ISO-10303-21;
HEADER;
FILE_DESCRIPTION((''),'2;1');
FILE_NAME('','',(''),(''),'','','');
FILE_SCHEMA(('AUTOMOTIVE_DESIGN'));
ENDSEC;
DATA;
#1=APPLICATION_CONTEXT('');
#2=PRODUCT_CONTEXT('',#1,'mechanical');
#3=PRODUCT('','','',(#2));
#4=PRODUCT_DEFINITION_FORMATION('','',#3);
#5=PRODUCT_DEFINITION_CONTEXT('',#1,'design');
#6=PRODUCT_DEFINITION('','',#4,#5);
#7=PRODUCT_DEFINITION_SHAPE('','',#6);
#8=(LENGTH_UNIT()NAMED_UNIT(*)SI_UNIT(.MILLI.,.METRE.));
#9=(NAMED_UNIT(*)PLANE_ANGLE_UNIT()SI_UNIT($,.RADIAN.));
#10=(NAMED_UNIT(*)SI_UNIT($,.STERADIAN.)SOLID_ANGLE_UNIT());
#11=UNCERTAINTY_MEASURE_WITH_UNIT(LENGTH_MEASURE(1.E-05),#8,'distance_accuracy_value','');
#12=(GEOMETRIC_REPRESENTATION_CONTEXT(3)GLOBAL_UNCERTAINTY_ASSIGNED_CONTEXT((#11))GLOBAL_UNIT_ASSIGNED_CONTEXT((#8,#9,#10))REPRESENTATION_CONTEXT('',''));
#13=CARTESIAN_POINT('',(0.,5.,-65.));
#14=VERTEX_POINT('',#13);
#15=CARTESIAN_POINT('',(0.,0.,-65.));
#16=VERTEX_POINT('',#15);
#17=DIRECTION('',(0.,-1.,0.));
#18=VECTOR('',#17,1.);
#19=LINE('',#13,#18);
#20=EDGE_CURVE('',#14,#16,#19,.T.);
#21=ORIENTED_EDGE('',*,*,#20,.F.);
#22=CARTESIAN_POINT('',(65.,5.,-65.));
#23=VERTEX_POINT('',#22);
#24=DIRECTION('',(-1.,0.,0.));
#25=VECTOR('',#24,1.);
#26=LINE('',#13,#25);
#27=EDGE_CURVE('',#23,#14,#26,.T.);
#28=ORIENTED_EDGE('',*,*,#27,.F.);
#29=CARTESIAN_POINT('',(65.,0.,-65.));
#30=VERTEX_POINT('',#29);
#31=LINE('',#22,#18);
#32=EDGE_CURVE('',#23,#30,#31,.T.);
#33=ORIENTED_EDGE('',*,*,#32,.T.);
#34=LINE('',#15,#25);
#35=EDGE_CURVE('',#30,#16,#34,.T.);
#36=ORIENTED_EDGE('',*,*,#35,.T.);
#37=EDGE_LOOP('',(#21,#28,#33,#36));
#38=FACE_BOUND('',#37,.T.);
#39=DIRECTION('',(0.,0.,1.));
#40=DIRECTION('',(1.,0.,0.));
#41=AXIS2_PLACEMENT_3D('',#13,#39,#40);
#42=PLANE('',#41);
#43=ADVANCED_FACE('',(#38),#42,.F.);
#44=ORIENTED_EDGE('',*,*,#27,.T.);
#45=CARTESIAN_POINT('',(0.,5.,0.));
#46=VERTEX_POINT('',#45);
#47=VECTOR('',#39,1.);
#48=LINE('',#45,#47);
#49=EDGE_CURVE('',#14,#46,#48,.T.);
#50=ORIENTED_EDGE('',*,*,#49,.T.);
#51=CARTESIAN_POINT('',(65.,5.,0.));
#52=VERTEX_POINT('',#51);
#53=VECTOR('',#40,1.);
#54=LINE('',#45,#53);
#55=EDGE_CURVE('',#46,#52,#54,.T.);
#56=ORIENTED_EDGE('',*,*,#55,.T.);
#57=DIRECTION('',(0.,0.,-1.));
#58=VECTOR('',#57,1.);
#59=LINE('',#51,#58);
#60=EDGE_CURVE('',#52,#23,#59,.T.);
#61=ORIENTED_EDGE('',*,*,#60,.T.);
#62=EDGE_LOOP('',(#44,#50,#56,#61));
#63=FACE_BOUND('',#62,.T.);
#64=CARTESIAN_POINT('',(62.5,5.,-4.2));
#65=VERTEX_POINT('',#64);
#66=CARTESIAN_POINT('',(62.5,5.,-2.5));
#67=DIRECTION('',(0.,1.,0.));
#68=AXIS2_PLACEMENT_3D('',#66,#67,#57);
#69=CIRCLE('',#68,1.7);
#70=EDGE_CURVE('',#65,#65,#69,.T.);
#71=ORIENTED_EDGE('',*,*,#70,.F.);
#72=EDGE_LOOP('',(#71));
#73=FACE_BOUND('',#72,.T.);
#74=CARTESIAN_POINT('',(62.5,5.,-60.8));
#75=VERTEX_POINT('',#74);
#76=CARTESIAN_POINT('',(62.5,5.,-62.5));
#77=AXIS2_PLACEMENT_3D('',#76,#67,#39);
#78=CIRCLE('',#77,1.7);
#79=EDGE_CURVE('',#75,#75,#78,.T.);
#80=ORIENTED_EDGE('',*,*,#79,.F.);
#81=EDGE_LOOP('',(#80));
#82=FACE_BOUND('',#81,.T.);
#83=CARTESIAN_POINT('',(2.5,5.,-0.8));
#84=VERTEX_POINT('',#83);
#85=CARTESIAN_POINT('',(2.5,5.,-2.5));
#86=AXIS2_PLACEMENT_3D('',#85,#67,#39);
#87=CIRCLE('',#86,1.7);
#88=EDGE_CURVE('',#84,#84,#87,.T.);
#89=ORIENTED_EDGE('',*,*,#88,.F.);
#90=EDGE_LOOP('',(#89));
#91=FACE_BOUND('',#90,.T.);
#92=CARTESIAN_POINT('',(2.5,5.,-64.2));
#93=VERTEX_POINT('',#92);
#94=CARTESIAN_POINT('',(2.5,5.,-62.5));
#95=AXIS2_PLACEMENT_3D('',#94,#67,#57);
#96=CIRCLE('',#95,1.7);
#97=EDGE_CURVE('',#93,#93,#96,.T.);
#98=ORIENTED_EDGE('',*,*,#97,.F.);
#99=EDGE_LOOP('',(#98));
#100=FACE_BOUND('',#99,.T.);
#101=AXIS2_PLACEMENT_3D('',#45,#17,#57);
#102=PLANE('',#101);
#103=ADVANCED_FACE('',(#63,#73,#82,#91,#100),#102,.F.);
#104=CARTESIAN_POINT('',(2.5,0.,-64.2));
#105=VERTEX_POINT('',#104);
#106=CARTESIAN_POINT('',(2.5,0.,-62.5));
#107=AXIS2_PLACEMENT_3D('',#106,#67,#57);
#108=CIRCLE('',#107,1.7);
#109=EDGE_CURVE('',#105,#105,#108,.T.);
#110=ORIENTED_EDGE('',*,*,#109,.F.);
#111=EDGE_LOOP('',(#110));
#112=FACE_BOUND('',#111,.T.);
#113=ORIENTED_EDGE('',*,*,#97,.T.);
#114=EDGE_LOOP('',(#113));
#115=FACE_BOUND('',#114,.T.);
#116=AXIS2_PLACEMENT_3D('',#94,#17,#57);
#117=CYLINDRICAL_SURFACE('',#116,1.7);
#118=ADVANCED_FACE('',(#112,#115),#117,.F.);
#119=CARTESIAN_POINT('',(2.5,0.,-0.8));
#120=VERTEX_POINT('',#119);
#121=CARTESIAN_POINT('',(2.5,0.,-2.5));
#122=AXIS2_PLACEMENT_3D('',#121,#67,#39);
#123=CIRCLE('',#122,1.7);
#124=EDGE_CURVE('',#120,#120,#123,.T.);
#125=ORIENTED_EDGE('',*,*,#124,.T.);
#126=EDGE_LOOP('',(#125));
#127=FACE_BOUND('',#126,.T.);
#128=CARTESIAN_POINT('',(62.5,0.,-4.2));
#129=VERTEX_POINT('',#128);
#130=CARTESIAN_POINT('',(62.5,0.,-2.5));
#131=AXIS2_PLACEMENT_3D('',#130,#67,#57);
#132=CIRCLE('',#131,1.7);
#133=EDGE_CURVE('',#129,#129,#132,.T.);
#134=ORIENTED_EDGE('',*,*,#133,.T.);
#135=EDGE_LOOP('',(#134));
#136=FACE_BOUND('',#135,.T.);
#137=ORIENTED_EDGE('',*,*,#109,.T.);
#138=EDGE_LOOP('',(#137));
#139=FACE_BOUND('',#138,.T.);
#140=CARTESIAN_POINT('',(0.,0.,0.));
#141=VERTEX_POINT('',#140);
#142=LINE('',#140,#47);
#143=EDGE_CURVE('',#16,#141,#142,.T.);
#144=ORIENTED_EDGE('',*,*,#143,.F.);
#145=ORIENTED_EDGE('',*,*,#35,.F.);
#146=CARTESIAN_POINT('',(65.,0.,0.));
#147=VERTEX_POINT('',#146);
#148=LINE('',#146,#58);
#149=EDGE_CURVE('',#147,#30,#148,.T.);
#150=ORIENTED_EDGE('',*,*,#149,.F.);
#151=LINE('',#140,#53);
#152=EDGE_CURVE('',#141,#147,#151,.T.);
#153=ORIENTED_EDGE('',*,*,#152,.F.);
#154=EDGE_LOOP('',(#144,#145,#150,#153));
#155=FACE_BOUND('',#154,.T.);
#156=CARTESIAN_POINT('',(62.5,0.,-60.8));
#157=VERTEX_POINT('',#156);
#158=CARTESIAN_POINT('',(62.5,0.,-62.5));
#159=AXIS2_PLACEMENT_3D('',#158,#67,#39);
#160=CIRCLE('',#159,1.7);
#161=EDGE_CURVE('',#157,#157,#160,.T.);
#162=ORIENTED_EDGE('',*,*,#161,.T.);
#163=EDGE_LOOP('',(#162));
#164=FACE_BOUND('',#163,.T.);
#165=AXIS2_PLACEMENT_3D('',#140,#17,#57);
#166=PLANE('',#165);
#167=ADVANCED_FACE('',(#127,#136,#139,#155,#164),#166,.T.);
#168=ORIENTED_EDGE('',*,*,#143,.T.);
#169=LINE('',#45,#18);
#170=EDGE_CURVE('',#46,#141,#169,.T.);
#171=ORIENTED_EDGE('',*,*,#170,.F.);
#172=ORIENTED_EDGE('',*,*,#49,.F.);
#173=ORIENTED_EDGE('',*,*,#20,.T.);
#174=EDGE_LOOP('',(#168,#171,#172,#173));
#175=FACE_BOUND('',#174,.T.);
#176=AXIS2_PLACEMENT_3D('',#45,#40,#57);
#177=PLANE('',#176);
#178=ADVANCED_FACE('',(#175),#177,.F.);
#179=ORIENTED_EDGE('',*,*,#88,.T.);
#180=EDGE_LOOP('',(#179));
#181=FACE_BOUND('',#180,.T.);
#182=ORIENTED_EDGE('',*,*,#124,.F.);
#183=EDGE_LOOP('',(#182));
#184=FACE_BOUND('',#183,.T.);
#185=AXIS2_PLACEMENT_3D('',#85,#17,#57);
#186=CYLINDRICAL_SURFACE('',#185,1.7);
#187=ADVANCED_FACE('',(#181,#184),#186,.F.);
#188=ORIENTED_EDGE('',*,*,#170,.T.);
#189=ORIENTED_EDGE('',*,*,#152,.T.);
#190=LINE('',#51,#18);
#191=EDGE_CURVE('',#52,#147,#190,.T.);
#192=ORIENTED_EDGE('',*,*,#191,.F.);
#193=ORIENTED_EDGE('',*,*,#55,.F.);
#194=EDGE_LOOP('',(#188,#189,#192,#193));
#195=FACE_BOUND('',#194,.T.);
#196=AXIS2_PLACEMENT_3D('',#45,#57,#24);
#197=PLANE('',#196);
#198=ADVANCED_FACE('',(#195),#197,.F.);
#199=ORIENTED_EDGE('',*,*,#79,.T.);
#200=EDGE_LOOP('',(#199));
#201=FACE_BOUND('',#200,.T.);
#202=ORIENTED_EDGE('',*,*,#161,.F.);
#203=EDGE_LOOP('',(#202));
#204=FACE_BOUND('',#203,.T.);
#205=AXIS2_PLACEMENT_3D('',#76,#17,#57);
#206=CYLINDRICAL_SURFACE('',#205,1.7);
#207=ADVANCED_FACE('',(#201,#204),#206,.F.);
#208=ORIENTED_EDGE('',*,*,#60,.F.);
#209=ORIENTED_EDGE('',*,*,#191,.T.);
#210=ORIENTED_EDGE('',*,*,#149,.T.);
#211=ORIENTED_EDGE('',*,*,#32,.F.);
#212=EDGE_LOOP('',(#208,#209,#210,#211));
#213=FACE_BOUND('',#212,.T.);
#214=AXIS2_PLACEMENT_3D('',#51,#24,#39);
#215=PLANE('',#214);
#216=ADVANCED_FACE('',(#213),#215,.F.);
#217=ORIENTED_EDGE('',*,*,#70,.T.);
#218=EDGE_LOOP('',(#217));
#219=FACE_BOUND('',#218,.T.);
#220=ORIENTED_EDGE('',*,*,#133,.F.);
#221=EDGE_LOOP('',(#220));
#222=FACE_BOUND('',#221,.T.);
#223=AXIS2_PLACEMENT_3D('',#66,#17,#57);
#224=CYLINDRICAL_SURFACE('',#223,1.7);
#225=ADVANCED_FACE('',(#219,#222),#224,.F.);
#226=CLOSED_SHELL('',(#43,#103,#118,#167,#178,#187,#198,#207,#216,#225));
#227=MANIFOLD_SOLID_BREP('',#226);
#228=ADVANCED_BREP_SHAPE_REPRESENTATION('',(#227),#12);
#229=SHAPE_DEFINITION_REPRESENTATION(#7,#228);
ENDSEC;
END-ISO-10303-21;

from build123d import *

# Parameters (mm, degrees)
SKETCH1_W   = 65
SKETCH1_H   = 65
SKETCH1_R   = 1.7
PLATE_DEPTH = 5


with BuildPart() as part:
    # Sketch1 → Plate (new body)
    with BuildSketch(Plane(origin=(0, 0, 0), x_dir=(1, 0, 0), z_dir=(0, 1, 0))):
        with Locations((32.5, 32.5)):
            Rectangle(SKETCH1_W, SKETCH1_H)
        with Locations(Location((62.5, 62.5, 0), (0, 0, 270))):
            Circle(SKETCH1_R, mode=Mode.SUBTRACT)
        with Locations(Location((2.5, 62.5, 0), (0, 0, 90))):
            Circle(SKETCH1_R, mode=Mode.SUBTRACT)
        with Locations(Location((62.5, 2.5, 0), (0, 0, 90))):
            Circle(SKETCH1_R, mode=Mode.SUBTRACT)
        with Locations(Location((2.5, 2.5, 0), (0, 0, 270))):
            Circle(SKETCH1_R, mode=Mode.SUBTRACT)
    extrude(amount=PLATE_DEPTH)


solid = part.part
